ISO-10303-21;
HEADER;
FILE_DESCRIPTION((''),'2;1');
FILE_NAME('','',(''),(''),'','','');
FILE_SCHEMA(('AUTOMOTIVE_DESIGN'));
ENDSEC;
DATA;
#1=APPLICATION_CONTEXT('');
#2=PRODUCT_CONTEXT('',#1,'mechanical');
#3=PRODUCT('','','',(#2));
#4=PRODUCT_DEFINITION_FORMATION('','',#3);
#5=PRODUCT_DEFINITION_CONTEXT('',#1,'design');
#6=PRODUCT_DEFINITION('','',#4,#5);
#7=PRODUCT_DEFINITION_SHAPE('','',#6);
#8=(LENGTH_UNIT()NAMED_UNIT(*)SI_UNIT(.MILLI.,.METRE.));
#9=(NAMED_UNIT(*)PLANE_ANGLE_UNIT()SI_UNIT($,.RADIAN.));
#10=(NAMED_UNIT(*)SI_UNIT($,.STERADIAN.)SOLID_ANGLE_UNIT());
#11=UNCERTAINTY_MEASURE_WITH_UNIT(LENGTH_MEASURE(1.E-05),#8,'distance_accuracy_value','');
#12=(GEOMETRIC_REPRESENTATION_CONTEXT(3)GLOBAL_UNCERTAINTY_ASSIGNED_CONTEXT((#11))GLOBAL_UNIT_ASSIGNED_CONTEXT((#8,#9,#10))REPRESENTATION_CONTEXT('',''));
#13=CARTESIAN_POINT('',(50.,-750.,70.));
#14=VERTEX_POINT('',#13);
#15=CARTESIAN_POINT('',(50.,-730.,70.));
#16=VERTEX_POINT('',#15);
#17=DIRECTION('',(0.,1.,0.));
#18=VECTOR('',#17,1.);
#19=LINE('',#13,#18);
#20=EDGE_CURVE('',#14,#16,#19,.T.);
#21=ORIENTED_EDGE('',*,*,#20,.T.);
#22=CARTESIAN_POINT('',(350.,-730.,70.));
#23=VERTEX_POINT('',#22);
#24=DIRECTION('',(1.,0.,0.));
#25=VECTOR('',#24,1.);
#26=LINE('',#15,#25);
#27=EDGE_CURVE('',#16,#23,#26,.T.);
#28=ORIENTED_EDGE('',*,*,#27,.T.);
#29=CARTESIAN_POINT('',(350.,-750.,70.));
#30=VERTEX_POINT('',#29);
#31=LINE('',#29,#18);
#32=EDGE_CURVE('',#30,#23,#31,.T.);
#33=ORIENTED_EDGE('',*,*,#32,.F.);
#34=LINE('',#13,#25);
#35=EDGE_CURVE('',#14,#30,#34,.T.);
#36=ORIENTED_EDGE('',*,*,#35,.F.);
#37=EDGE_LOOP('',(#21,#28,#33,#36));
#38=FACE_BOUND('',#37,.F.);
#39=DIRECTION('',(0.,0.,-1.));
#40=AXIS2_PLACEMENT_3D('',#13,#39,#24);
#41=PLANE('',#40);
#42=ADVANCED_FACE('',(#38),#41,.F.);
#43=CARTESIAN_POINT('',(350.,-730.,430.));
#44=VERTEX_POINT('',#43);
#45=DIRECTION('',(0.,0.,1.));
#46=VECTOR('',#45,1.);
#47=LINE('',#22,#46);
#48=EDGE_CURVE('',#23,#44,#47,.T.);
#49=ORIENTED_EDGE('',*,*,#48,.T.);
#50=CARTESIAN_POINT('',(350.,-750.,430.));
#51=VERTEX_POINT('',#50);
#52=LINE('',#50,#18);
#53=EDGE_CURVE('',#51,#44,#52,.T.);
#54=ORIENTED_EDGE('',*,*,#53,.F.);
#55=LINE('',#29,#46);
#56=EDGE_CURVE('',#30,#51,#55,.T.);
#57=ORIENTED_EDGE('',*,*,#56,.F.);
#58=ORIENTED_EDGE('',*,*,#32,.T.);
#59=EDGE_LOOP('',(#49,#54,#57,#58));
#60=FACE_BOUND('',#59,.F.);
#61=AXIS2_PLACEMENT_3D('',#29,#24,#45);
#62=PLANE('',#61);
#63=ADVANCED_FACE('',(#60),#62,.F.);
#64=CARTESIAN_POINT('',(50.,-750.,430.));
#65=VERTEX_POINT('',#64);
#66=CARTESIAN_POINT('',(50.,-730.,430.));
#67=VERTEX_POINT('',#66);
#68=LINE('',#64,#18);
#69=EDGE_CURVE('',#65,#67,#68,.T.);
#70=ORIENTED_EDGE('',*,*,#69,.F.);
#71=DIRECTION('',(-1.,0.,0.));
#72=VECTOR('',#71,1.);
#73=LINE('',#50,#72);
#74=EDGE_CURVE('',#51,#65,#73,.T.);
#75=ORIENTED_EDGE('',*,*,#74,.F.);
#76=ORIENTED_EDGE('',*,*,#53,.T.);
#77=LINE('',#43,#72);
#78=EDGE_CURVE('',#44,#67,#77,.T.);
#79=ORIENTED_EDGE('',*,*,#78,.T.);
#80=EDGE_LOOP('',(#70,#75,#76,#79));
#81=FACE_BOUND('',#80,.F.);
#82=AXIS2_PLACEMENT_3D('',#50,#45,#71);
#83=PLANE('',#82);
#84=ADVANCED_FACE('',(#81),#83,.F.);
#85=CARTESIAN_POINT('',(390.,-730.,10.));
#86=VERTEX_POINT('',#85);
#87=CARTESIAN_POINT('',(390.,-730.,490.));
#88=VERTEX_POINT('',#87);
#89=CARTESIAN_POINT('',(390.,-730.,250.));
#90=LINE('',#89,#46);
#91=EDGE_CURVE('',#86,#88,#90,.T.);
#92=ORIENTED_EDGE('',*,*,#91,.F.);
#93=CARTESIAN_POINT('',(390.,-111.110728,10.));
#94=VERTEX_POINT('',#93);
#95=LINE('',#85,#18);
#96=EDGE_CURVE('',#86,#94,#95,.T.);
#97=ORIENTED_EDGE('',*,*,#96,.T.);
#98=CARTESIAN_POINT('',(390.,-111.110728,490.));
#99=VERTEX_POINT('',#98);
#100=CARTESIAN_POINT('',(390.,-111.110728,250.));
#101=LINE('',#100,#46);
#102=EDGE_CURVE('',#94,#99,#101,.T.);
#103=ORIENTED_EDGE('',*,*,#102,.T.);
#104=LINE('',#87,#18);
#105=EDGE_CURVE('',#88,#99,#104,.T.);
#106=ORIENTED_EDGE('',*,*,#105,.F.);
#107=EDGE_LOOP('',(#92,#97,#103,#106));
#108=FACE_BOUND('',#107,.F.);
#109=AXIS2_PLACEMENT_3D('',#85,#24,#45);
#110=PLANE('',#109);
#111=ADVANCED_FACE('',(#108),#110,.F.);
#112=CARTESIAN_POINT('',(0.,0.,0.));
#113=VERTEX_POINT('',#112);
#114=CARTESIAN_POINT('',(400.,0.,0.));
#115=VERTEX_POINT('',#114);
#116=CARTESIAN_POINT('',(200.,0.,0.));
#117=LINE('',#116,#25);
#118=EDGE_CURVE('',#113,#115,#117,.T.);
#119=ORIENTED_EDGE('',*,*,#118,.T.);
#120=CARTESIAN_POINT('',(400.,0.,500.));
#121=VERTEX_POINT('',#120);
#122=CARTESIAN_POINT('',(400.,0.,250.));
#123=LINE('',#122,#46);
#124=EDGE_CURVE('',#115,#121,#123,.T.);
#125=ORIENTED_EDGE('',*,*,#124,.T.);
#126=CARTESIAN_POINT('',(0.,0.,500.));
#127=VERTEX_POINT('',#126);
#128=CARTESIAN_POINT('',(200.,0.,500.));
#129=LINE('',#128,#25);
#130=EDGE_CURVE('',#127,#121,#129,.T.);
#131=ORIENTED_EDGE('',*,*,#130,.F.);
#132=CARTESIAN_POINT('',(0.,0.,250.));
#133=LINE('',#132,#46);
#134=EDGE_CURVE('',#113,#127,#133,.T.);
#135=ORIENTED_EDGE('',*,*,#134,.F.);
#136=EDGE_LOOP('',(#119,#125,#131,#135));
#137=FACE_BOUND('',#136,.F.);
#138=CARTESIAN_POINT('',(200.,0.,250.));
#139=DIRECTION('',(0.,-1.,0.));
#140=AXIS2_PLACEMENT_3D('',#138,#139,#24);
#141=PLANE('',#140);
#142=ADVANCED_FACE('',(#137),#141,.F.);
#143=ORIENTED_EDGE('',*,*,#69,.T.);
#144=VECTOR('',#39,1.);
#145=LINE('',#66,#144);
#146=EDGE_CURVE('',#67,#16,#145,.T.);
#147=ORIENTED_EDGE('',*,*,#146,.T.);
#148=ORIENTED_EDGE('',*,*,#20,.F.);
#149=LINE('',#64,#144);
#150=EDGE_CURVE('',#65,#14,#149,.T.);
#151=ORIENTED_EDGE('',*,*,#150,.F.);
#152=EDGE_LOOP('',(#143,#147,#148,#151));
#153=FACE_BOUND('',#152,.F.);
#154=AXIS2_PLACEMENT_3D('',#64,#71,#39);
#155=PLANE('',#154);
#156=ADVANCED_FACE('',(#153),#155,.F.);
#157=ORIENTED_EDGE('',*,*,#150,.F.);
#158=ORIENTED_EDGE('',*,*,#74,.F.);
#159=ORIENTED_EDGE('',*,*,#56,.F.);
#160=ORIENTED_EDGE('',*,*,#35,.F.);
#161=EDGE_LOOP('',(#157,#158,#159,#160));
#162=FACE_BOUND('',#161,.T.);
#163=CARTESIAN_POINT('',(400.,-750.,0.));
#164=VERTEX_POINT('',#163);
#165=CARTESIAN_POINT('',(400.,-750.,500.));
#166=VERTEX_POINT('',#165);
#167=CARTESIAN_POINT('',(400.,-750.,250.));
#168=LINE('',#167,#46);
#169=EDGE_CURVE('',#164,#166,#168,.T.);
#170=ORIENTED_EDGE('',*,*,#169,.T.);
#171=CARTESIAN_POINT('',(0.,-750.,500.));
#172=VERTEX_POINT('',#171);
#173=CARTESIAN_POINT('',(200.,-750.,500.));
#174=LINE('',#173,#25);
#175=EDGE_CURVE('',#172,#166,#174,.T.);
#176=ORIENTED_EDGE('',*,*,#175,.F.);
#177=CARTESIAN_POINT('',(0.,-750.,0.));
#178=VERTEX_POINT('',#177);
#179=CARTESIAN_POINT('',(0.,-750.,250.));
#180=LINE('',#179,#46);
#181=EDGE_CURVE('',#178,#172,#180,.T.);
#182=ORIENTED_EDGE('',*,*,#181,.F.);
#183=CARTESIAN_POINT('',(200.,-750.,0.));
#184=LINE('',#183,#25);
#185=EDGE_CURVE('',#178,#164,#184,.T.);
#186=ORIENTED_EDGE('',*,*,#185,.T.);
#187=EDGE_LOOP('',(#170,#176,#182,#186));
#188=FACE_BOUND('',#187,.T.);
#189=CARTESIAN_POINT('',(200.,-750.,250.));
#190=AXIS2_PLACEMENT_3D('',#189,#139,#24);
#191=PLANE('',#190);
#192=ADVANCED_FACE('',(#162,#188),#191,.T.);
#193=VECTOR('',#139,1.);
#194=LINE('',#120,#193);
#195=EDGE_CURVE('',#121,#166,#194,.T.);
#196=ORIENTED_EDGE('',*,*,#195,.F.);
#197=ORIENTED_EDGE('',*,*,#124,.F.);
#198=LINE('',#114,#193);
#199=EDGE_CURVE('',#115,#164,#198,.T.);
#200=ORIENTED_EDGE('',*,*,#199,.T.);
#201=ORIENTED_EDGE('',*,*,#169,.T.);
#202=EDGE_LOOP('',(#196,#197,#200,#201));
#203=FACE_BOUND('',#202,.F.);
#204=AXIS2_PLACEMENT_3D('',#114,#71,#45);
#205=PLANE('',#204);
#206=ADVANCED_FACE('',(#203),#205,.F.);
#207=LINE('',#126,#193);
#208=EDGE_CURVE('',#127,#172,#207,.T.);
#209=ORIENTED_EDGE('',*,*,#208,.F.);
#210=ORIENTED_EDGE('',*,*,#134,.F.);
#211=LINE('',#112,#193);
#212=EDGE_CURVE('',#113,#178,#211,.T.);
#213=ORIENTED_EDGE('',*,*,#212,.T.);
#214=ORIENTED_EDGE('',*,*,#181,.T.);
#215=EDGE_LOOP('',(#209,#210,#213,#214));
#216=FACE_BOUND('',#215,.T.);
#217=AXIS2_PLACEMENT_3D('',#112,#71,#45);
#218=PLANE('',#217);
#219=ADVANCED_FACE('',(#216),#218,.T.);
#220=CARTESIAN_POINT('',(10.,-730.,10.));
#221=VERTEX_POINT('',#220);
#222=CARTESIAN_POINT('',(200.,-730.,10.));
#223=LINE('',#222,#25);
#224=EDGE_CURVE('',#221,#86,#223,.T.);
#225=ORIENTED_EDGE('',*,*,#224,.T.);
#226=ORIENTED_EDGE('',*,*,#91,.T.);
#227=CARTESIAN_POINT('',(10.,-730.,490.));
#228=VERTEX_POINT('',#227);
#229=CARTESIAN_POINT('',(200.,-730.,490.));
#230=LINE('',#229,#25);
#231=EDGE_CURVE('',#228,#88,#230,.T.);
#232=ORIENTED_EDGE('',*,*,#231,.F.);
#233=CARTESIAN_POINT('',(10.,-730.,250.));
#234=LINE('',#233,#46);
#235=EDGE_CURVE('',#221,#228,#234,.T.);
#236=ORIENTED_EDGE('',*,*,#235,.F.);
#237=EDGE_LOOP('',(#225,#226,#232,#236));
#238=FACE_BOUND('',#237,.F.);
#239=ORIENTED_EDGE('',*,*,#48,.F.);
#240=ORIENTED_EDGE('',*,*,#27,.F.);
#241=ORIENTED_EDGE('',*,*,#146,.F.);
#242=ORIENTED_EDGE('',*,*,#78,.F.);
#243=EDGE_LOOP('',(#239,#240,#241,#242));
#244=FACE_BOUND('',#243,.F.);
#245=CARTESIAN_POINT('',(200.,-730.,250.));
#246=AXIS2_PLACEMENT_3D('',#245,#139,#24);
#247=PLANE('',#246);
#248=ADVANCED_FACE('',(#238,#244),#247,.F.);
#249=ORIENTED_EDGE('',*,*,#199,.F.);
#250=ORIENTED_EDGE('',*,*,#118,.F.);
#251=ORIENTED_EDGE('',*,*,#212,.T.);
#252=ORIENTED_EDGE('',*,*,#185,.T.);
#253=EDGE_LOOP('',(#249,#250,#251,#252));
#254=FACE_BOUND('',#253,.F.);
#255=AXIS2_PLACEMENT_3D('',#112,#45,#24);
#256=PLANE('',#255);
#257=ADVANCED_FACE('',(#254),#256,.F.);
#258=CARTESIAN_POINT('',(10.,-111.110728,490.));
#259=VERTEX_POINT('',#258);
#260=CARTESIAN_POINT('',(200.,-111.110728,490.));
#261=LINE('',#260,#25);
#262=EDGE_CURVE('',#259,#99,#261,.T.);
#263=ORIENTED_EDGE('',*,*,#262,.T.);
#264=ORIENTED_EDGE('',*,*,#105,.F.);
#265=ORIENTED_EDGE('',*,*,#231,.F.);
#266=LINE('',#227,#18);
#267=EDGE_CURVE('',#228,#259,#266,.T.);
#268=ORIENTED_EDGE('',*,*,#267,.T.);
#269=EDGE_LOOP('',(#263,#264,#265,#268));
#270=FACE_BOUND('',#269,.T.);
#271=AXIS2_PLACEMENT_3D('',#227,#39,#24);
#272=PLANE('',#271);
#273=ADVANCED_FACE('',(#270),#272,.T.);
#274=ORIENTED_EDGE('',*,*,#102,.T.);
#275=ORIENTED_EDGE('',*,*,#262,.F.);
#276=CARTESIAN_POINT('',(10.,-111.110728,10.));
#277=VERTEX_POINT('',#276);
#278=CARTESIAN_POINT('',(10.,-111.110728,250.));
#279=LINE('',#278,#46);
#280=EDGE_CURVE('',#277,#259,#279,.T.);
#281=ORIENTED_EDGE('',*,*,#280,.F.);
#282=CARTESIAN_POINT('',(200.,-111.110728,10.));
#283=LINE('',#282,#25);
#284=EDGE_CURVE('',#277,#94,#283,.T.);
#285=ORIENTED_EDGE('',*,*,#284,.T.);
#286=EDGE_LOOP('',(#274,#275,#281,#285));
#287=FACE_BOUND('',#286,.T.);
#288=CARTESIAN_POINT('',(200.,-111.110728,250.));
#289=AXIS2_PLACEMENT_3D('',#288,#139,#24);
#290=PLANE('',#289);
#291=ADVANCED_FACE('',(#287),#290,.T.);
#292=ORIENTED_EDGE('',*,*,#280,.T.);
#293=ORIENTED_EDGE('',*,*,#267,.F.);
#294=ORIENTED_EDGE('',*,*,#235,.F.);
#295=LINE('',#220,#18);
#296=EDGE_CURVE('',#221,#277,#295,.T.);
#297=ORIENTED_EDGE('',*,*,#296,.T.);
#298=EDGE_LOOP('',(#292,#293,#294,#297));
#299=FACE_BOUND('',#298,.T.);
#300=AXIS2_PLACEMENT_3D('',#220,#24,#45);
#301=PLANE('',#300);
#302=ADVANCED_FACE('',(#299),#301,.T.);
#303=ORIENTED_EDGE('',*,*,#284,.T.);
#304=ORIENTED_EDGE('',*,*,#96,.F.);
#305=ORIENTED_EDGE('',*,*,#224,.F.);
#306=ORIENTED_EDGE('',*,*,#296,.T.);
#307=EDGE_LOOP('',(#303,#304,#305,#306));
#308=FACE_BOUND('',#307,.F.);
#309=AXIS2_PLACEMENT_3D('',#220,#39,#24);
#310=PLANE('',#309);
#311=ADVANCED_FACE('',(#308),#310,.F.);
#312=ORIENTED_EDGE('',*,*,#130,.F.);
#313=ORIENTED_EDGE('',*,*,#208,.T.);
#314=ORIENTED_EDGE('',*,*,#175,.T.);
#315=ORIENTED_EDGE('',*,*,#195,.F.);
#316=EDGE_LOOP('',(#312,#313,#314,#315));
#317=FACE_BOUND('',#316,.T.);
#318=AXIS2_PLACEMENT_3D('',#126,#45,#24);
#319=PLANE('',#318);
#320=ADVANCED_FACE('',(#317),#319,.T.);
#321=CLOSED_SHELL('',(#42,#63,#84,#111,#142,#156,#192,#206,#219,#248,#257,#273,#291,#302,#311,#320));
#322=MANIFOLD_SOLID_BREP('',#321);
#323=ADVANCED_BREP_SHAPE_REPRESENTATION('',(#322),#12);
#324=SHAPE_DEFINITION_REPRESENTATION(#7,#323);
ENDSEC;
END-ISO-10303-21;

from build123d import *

# Parameters (mm, degrees)
F0_W     = 400
F0_H     = 500
F1_DEPTH = 750
F3_DEPTH = 20
F4_W     = 380
F4_H     = 480
F5_DEPTH = 618.889272


with BuildPart() as f1:
    # F0 (on Front) → F1 (new body)
    with BuildSketch(Plane.XZ):
        with Locations((200, 250)):
            Rectangle(F0_W, F0_H)
    extrude(amount=F1_DEPTH)

    # F2 (on face) → F3 (cut)
    with BuildSketch(Plane.XZ.offset(750)):
        Polygon((50, 70), (56, 70), (344, 430), (50, 430), align=None)
        Polygon((344, 430), (56, 70), (350, 70), (350, 430), align=None)
    extrude(amount=-F3_DEPTH, mode=Mode.SUBTRACT)

    # F4 (on face) → F5 (cut)
    with BuildSketch(Plane.XZ.offset(730)):
        with Locations((200, 250)):
            Rectangle(F4_W, F4_H)
    extrude(amount=-F5_DEPTH, mode=Mode.SUBTRACT)


solid = f1.part
